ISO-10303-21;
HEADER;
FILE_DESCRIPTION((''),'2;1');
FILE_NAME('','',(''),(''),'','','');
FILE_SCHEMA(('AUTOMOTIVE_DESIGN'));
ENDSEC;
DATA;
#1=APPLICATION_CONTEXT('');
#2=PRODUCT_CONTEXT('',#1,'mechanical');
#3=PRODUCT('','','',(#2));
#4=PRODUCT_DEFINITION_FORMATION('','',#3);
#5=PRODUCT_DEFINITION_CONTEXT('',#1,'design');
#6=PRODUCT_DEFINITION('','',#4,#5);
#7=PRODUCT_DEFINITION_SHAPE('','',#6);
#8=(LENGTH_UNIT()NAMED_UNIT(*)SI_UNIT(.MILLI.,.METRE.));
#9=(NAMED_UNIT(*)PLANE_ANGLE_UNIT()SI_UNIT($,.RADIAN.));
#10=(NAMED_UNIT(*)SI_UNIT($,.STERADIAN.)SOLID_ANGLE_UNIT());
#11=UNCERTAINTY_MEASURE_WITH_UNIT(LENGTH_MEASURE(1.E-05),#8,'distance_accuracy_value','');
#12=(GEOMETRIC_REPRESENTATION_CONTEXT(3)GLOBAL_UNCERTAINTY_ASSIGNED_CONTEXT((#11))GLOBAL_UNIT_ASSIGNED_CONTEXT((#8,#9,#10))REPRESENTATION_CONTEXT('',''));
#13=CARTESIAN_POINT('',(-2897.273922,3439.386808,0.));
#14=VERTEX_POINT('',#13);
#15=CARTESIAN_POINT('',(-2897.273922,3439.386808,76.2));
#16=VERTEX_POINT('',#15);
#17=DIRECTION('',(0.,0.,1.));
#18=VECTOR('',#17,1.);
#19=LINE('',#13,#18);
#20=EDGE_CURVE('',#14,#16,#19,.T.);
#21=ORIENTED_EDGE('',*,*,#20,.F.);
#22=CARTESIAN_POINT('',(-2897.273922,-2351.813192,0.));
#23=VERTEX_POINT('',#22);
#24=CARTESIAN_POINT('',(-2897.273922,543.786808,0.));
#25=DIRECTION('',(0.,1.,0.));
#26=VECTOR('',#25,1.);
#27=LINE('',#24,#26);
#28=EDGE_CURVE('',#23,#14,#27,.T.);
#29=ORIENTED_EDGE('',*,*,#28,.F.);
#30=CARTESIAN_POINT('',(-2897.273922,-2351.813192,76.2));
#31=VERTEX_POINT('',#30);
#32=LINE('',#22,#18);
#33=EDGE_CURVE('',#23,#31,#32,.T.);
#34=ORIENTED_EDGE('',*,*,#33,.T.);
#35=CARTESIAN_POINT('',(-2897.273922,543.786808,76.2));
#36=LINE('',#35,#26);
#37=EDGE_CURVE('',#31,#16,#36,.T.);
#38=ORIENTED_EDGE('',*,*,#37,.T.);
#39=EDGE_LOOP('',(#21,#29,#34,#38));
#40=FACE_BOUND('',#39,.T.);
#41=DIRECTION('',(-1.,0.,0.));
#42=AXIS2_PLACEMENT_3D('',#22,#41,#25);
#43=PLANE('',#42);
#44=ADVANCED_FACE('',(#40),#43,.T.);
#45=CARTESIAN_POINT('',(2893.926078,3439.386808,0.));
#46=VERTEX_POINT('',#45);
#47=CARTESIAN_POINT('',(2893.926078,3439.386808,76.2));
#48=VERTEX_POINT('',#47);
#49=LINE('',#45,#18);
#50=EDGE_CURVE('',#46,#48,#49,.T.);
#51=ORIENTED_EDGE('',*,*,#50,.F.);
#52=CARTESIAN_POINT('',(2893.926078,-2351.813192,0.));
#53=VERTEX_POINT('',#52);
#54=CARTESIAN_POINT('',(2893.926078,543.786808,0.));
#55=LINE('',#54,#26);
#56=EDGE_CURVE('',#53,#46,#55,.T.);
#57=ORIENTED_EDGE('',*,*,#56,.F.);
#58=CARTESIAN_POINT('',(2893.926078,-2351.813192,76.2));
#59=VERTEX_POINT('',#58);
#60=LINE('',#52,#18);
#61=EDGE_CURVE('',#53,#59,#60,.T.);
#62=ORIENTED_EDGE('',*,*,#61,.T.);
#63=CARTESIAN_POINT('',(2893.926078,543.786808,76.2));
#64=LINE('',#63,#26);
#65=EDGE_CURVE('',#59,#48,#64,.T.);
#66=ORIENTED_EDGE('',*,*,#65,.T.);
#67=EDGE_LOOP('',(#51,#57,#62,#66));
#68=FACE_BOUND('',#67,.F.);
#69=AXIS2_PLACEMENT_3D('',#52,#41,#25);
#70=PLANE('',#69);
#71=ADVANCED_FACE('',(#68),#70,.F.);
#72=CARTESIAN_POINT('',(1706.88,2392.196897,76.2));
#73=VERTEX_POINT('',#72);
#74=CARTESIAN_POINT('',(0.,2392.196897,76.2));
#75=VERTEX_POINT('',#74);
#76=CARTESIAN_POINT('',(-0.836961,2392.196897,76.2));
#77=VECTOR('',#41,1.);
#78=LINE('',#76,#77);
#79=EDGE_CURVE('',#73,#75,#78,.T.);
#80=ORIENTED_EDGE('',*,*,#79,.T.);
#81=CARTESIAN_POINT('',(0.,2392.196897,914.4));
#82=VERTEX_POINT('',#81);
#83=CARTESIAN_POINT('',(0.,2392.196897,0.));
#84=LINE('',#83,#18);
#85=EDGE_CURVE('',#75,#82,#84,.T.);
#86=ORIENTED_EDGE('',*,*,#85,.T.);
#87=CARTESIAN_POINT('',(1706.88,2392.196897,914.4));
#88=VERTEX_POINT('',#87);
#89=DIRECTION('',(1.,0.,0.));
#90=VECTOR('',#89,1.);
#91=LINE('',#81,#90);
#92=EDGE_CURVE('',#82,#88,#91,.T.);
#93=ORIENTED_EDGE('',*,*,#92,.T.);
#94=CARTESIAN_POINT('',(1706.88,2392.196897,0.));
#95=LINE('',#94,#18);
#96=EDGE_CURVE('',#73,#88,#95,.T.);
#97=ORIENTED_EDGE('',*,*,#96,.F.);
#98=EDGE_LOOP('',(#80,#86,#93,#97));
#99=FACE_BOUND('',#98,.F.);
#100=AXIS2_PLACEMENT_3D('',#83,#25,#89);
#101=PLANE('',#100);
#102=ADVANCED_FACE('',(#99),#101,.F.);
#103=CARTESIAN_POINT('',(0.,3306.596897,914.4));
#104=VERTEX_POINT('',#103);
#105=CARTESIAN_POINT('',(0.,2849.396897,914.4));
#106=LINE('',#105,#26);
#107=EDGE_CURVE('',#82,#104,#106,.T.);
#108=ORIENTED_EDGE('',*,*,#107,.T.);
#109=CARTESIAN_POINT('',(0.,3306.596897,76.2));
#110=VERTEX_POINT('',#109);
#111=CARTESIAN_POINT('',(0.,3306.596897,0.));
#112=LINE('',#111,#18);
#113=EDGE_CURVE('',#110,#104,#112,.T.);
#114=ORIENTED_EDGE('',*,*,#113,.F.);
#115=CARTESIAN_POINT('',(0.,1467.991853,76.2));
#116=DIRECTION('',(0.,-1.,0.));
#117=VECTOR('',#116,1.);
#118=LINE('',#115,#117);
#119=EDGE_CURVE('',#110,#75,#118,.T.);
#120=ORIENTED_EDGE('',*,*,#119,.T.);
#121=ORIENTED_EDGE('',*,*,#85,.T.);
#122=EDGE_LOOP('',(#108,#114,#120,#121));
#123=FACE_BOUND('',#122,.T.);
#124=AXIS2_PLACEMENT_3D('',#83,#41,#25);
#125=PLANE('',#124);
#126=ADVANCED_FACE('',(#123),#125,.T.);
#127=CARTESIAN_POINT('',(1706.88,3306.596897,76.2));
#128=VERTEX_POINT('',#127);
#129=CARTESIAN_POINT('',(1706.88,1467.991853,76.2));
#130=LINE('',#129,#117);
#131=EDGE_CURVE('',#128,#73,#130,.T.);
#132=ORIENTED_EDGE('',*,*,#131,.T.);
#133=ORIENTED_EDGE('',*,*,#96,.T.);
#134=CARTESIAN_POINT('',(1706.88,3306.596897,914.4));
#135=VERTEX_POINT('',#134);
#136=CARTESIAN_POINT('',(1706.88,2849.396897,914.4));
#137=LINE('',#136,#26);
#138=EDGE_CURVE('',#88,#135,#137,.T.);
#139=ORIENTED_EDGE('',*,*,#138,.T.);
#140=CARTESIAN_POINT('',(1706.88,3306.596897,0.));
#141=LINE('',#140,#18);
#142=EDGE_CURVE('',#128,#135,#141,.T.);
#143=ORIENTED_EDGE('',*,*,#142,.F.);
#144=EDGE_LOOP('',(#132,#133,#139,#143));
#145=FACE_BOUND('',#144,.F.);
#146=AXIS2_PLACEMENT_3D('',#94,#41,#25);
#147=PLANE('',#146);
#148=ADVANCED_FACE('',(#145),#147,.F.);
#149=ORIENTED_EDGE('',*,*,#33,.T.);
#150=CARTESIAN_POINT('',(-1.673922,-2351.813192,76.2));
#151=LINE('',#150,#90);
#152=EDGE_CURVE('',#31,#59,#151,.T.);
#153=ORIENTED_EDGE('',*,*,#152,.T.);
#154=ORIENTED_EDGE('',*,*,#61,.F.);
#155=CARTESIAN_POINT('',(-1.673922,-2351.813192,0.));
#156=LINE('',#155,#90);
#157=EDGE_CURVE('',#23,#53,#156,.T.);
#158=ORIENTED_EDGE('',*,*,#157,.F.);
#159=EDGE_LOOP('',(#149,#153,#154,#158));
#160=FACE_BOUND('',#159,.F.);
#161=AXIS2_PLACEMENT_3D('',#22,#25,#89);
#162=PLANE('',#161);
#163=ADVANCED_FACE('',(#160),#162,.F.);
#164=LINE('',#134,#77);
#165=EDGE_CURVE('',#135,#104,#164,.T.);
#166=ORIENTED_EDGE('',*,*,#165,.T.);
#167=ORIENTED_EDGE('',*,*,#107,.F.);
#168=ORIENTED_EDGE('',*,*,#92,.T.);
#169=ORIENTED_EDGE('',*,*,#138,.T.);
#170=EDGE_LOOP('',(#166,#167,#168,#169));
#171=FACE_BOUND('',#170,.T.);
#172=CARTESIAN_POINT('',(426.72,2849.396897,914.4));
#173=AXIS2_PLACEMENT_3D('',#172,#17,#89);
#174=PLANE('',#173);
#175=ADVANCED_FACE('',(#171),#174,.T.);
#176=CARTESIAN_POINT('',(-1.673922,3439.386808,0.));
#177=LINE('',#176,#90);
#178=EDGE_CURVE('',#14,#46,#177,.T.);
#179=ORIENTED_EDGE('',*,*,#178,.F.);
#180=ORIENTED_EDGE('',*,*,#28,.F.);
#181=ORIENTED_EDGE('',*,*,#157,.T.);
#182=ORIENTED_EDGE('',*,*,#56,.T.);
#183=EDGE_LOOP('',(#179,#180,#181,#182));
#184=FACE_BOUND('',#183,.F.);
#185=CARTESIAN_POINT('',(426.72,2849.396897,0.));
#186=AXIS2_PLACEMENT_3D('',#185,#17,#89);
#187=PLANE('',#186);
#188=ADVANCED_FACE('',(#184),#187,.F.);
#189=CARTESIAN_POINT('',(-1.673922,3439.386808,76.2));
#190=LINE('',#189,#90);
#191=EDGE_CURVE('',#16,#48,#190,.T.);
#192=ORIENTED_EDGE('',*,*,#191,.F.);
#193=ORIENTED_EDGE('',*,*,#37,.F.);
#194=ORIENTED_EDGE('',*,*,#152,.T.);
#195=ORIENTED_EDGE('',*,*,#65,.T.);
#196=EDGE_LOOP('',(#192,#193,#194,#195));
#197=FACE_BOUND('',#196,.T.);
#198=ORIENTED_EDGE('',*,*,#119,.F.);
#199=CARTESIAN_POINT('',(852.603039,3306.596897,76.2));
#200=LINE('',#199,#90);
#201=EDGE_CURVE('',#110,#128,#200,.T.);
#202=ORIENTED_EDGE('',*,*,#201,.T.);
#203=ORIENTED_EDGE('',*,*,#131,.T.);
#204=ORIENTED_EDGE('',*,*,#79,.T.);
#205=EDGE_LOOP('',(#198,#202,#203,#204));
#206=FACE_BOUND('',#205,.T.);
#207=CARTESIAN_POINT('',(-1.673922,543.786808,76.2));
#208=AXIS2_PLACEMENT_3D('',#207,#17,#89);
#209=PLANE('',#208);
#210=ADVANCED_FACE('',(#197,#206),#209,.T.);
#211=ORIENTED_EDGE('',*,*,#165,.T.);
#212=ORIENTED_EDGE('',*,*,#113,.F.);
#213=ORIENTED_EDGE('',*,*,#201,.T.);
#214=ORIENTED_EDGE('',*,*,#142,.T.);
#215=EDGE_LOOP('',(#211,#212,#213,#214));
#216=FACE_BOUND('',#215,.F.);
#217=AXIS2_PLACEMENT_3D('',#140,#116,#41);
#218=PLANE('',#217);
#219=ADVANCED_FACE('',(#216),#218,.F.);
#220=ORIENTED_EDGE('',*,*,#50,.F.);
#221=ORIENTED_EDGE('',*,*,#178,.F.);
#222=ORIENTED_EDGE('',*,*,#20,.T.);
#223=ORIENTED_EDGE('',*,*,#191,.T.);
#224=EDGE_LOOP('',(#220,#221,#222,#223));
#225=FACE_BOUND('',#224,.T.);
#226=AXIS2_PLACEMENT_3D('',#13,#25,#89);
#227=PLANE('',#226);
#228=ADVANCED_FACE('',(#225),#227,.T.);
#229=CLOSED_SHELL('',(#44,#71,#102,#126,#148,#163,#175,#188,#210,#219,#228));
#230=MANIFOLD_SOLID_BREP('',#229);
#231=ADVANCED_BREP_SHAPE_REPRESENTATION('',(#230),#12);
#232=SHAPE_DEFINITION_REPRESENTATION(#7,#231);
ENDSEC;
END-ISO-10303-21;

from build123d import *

# Parameters (mm, degrees)
F0_W     = 5791.2
F0_H     = 5791.2
F1_DEPTH = 2438.4
F2_T     = -76.2
F3_W     = 853.44
F3_H     = 914.4
F4_DEPTH = 914.4


with BuildPart() as f1:
    # F0 (on Top) → F1 (new body)
    with BuildSketch(Plane.XY):
        with Locations((-1.673922, 543.786808)):
            Rectangle(F0_W, F0_H)
    extrude(amount=F1_DEPTH)

    # F2
    f2_openings = [f1.faces().sort_by_distance(p)[0] for p in [
        (-1.673922, 543.786808, 2438.4),
        (2893.926078, 543.786808, 1219.2),
        (-1.673922, -2351.813192, 1219.2),
        (-1.673922, 3439.386808, 1219.2),
        (-2897.273922, 543.786808, 1219.2),
    ]]
    offset(amount=F2_T, openings=f2_openings)

    # F3 (on Top) → F4 (join)
    with BuildSketch(Plane.XY):
        with Locations((426.72, 2849.396897)):
            Rectangle(F3_W, F3_H)
        with Locations((1280.16, 2849.396897)):
            Rectangle(F3_W, F3_H)
    extrude(amount=F4_DEPTH)


solid = f1.part
